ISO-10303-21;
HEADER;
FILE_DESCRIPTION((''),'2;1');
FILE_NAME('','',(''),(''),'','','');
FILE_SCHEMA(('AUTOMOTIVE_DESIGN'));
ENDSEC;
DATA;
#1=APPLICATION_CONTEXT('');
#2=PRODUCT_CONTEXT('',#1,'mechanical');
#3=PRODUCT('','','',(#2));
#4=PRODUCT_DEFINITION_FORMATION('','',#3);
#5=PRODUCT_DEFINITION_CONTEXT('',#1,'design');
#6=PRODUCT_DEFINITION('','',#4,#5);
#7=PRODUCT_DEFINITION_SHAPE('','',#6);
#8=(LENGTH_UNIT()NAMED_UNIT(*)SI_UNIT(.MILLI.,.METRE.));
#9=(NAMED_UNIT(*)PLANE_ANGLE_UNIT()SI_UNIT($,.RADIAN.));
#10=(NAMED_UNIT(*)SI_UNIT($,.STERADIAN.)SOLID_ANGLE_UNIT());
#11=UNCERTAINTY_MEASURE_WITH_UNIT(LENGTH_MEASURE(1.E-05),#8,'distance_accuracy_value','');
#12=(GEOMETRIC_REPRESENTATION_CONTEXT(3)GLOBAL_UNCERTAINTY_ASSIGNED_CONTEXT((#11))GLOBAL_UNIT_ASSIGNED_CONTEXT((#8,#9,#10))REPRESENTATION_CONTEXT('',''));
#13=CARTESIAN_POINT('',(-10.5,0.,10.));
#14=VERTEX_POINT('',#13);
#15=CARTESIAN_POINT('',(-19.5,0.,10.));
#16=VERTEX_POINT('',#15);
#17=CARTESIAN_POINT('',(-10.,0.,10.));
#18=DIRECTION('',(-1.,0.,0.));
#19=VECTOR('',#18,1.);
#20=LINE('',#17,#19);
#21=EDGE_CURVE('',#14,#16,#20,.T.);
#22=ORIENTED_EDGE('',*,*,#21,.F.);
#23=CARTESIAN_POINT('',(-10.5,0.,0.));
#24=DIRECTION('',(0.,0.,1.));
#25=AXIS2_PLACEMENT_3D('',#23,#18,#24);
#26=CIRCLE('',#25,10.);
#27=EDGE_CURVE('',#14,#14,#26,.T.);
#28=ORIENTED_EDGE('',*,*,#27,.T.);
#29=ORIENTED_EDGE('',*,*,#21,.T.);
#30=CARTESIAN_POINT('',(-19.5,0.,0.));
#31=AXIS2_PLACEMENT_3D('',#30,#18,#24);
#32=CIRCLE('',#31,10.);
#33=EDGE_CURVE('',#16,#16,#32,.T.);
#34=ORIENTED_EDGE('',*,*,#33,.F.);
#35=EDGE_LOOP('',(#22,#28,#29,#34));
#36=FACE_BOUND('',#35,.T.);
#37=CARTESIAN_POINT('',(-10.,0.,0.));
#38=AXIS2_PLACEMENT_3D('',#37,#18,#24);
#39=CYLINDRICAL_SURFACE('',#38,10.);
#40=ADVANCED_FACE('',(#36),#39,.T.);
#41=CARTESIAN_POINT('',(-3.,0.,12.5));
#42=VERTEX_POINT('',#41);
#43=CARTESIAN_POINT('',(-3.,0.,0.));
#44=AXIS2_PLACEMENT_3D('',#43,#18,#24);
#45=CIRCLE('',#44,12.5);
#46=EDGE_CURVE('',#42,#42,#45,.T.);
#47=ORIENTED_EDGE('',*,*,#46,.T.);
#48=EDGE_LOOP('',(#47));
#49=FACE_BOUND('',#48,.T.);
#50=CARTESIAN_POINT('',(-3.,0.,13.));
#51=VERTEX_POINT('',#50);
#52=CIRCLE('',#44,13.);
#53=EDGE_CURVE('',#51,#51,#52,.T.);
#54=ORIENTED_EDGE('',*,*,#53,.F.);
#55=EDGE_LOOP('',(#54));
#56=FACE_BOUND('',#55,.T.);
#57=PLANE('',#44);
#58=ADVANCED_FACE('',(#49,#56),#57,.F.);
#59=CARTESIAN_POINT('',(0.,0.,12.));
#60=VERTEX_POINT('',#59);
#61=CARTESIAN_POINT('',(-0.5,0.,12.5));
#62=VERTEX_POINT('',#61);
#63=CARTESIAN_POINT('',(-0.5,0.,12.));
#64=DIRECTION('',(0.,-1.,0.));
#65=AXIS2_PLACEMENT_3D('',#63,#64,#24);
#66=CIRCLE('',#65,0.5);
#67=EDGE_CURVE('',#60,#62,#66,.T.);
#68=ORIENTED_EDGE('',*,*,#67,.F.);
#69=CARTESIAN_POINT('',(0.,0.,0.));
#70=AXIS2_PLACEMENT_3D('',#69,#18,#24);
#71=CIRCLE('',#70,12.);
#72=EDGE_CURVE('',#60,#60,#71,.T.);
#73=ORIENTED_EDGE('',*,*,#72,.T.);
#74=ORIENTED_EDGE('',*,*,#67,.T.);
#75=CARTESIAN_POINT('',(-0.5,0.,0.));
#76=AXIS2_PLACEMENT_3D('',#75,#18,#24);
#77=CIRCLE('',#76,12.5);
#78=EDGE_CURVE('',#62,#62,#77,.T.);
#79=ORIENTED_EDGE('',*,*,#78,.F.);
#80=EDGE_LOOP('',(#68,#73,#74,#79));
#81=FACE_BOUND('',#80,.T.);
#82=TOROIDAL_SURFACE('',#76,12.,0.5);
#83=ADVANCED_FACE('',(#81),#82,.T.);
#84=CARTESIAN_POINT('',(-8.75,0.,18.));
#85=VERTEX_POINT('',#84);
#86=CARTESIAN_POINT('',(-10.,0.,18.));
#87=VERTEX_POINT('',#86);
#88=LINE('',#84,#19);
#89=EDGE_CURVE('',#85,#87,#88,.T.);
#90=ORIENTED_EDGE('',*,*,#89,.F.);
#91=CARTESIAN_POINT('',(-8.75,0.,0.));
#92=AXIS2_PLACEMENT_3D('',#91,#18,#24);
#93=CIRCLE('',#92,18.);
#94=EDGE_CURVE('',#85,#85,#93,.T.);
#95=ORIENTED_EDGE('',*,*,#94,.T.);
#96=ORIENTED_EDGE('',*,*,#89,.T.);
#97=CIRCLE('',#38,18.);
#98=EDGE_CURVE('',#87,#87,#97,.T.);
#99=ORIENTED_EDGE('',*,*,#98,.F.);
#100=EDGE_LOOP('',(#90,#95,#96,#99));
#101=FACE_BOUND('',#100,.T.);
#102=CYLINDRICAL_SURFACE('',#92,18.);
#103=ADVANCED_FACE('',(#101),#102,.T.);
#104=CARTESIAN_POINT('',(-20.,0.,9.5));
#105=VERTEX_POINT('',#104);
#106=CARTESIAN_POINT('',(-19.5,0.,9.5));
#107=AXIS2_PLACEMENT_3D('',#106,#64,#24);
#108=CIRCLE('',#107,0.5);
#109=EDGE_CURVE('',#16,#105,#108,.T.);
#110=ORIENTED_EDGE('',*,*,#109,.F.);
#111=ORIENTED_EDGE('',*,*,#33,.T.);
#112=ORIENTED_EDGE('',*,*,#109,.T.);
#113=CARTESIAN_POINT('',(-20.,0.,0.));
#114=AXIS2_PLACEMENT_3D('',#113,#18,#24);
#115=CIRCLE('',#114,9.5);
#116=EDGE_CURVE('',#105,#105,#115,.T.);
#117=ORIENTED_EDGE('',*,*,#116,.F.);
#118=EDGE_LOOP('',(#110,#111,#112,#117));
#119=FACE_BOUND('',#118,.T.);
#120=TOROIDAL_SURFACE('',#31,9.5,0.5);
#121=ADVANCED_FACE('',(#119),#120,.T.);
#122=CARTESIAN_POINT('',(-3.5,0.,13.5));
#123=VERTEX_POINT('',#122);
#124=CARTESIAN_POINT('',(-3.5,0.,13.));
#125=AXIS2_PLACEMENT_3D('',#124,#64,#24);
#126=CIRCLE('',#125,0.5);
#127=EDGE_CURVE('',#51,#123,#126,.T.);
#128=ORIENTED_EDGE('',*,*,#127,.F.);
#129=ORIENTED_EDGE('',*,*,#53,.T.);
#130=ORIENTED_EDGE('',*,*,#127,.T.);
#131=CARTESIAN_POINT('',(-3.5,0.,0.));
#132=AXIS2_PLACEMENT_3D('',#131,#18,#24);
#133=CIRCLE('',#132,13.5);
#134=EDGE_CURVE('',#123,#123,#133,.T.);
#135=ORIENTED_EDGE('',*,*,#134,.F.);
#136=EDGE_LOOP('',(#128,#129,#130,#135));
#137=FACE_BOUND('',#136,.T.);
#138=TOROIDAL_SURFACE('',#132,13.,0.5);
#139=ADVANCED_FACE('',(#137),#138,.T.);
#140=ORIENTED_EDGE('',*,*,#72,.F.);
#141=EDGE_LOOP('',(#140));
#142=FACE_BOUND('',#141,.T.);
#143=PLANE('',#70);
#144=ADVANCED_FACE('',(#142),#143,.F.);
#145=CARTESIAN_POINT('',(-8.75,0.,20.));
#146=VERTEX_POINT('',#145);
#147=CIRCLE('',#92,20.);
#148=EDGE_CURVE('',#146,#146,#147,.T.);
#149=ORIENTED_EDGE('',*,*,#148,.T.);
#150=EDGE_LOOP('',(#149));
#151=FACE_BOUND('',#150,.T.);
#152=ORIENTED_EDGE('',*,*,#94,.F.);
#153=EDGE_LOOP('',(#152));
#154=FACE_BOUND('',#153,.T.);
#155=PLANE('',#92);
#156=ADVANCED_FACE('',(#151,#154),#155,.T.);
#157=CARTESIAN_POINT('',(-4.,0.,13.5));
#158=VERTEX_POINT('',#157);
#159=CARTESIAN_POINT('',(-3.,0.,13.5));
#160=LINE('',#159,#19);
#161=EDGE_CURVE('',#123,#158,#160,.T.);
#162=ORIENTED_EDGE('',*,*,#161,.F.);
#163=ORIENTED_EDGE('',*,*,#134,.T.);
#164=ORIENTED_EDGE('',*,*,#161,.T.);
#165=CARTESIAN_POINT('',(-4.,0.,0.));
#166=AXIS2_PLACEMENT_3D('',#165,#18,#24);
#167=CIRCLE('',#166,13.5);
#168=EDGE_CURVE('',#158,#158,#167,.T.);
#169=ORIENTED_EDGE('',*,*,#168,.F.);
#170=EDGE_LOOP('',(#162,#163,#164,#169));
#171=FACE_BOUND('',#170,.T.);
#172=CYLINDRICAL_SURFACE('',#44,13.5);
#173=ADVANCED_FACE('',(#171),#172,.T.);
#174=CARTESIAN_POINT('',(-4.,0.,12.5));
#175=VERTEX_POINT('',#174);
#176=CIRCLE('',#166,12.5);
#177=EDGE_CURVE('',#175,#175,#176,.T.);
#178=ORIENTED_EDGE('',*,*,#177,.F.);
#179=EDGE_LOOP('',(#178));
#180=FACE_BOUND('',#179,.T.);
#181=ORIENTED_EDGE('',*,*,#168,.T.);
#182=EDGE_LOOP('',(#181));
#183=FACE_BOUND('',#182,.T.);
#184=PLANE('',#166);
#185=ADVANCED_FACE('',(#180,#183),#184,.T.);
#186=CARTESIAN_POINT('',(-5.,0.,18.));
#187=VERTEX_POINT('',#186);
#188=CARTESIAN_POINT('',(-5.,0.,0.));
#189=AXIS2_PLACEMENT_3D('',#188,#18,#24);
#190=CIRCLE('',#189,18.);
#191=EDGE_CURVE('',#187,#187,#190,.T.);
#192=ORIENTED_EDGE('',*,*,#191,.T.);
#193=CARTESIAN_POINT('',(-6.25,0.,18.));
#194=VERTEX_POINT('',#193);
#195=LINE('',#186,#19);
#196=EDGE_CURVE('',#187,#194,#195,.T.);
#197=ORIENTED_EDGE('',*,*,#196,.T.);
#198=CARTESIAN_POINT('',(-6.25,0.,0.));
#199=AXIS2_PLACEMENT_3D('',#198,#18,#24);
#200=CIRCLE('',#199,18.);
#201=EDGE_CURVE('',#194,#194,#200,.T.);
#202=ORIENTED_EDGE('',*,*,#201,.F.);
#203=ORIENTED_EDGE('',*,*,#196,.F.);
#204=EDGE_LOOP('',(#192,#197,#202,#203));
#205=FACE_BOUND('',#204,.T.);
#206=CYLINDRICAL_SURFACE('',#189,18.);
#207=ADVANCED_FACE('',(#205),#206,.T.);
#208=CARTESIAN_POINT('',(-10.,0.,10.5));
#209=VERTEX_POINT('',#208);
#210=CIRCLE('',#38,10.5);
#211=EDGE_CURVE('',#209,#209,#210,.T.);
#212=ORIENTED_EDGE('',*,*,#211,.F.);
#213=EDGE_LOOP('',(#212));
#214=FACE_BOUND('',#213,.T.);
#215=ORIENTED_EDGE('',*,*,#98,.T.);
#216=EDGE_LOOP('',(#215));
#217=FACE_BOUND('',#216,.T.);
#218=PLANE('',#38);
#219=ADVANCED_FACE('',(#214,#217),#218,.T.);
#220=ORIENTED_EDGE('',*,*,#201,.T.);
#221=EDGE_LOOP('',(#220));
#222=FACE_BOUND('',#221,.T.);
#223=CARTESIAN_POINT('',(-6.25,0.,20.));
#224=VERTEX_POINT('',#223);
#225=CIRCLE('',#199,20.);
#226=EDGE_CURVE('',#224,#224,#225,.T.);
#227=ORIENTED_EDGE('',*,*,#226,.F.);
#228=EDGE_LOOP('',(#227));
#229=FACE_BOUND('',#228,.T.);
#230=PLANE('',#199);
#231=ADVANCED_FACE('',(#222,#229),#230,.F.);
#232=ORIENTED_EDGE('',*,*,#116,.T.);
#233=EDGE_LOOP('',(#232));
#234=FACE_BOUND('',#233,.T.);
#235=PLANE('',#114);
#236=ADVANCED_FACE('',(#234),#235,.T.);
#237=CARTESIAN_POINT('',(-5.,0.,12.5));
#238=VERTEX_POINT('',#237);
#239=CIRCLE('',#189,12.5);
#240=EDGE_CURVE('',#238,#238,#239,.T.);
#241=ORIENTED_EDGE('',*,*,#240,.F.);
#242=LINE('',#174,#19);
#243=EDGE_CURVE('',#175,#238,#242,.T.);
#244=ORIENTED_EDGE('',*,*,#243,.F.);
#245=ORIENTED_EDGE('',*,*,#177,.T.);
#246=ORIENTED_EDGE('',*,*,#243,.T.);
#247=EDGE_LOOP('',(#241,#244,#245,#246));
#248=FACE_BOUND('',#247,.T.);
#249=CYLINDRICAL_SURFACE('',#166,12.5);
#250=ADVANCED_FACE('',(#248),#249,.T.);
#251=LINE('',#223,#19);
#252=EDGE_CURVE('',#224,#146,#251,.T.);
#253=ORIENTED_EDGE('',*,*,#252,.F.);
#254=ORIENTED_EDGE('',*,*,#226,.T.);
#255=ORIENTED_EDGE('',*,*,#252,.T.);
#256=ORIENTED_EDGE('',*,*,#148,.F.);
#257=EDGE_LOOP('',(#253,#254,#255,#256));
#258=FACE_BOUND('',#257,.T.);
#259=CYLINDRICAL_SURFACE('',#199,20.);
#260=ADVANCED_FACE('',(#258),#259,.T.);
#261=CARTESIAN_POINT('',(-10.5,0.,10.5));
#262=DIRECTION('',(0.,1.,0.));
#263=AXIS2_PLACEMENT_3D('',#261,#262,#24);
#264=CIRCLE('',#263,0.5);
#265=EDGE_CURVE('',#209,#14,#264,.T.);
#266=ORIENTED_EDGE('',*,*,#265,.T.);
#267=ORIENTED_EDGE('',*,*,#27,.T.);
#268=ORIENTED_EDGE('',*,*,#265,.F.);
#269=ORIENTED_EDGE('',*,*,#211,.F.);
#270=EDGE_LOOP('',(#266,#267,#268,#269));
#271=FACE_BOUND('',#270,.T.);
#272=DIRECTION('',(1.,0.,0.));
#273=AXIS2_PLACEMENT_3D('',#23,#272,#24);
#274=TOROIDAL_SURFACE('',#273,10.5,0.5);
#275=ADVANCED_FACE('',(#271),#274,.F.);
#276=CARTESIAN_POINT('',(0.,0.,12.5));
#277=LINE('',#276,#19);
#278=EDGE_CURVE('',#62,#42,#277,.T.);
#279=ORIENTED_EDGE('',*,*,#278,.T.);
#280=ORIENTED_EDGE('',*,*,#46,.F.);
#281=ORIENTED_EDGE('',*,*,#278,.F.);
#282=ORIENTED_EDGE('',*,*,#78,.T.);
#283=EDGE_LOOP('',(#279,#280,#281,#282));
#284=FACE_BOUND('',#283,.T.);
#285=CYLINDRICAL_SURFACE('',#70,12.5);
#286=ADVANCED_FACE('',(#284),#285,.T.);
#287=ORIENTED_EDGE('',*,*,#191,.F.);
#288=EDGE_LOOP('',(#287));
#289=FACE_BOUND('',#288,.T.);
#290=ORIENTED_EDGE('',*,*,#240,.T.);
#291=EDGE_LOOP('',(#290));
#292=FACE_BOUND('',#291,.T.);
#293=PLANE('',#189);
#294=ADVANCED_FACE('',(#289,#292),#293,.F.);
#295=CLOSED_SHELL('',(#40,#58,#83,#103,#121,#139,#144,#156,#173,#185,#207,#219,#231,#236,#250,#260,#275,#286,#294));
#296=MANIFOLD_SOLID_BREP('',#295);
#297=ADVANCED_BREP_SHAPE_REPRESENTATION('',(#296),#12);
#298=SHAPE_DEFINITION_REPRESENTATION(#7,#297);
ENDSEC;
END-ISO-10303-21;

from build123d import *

# Parameters (mm, degrees)
F2_R = 0.5


with BuildPart() as f1:
    # F0 (on Front) → F1 (revolve)
    with BuildSketch(Plane.XZ):
        Polygon((-20, 0), (0, 0), (0, 12.5), (-3, 12.5), (-3, 13.5), (-4, 13.5), (-4, 12.5), (-5, 12.5), (-5, 18), (-6.25, 18), (-6.25, 20), (-8.75, 20), (-8.75, 18), (-10, 18), (-10, 10), (-20, 10), align=None)
    revolve(axis=Axis((-10, 0, 0), (-1, 0, 0)))

    # F2
    f2_edges = [f1.edges().sort_by_distance(p)[0] for p in [
        (-10, 0, -10),
        (-20, 0, -10),
        (-15, 0, 10),
        (-3, 0, -13.5),
        (0, 0, -12.5),
    ]]
    fillet(f2_edges, radius=F2_R)


solid = f1.part
